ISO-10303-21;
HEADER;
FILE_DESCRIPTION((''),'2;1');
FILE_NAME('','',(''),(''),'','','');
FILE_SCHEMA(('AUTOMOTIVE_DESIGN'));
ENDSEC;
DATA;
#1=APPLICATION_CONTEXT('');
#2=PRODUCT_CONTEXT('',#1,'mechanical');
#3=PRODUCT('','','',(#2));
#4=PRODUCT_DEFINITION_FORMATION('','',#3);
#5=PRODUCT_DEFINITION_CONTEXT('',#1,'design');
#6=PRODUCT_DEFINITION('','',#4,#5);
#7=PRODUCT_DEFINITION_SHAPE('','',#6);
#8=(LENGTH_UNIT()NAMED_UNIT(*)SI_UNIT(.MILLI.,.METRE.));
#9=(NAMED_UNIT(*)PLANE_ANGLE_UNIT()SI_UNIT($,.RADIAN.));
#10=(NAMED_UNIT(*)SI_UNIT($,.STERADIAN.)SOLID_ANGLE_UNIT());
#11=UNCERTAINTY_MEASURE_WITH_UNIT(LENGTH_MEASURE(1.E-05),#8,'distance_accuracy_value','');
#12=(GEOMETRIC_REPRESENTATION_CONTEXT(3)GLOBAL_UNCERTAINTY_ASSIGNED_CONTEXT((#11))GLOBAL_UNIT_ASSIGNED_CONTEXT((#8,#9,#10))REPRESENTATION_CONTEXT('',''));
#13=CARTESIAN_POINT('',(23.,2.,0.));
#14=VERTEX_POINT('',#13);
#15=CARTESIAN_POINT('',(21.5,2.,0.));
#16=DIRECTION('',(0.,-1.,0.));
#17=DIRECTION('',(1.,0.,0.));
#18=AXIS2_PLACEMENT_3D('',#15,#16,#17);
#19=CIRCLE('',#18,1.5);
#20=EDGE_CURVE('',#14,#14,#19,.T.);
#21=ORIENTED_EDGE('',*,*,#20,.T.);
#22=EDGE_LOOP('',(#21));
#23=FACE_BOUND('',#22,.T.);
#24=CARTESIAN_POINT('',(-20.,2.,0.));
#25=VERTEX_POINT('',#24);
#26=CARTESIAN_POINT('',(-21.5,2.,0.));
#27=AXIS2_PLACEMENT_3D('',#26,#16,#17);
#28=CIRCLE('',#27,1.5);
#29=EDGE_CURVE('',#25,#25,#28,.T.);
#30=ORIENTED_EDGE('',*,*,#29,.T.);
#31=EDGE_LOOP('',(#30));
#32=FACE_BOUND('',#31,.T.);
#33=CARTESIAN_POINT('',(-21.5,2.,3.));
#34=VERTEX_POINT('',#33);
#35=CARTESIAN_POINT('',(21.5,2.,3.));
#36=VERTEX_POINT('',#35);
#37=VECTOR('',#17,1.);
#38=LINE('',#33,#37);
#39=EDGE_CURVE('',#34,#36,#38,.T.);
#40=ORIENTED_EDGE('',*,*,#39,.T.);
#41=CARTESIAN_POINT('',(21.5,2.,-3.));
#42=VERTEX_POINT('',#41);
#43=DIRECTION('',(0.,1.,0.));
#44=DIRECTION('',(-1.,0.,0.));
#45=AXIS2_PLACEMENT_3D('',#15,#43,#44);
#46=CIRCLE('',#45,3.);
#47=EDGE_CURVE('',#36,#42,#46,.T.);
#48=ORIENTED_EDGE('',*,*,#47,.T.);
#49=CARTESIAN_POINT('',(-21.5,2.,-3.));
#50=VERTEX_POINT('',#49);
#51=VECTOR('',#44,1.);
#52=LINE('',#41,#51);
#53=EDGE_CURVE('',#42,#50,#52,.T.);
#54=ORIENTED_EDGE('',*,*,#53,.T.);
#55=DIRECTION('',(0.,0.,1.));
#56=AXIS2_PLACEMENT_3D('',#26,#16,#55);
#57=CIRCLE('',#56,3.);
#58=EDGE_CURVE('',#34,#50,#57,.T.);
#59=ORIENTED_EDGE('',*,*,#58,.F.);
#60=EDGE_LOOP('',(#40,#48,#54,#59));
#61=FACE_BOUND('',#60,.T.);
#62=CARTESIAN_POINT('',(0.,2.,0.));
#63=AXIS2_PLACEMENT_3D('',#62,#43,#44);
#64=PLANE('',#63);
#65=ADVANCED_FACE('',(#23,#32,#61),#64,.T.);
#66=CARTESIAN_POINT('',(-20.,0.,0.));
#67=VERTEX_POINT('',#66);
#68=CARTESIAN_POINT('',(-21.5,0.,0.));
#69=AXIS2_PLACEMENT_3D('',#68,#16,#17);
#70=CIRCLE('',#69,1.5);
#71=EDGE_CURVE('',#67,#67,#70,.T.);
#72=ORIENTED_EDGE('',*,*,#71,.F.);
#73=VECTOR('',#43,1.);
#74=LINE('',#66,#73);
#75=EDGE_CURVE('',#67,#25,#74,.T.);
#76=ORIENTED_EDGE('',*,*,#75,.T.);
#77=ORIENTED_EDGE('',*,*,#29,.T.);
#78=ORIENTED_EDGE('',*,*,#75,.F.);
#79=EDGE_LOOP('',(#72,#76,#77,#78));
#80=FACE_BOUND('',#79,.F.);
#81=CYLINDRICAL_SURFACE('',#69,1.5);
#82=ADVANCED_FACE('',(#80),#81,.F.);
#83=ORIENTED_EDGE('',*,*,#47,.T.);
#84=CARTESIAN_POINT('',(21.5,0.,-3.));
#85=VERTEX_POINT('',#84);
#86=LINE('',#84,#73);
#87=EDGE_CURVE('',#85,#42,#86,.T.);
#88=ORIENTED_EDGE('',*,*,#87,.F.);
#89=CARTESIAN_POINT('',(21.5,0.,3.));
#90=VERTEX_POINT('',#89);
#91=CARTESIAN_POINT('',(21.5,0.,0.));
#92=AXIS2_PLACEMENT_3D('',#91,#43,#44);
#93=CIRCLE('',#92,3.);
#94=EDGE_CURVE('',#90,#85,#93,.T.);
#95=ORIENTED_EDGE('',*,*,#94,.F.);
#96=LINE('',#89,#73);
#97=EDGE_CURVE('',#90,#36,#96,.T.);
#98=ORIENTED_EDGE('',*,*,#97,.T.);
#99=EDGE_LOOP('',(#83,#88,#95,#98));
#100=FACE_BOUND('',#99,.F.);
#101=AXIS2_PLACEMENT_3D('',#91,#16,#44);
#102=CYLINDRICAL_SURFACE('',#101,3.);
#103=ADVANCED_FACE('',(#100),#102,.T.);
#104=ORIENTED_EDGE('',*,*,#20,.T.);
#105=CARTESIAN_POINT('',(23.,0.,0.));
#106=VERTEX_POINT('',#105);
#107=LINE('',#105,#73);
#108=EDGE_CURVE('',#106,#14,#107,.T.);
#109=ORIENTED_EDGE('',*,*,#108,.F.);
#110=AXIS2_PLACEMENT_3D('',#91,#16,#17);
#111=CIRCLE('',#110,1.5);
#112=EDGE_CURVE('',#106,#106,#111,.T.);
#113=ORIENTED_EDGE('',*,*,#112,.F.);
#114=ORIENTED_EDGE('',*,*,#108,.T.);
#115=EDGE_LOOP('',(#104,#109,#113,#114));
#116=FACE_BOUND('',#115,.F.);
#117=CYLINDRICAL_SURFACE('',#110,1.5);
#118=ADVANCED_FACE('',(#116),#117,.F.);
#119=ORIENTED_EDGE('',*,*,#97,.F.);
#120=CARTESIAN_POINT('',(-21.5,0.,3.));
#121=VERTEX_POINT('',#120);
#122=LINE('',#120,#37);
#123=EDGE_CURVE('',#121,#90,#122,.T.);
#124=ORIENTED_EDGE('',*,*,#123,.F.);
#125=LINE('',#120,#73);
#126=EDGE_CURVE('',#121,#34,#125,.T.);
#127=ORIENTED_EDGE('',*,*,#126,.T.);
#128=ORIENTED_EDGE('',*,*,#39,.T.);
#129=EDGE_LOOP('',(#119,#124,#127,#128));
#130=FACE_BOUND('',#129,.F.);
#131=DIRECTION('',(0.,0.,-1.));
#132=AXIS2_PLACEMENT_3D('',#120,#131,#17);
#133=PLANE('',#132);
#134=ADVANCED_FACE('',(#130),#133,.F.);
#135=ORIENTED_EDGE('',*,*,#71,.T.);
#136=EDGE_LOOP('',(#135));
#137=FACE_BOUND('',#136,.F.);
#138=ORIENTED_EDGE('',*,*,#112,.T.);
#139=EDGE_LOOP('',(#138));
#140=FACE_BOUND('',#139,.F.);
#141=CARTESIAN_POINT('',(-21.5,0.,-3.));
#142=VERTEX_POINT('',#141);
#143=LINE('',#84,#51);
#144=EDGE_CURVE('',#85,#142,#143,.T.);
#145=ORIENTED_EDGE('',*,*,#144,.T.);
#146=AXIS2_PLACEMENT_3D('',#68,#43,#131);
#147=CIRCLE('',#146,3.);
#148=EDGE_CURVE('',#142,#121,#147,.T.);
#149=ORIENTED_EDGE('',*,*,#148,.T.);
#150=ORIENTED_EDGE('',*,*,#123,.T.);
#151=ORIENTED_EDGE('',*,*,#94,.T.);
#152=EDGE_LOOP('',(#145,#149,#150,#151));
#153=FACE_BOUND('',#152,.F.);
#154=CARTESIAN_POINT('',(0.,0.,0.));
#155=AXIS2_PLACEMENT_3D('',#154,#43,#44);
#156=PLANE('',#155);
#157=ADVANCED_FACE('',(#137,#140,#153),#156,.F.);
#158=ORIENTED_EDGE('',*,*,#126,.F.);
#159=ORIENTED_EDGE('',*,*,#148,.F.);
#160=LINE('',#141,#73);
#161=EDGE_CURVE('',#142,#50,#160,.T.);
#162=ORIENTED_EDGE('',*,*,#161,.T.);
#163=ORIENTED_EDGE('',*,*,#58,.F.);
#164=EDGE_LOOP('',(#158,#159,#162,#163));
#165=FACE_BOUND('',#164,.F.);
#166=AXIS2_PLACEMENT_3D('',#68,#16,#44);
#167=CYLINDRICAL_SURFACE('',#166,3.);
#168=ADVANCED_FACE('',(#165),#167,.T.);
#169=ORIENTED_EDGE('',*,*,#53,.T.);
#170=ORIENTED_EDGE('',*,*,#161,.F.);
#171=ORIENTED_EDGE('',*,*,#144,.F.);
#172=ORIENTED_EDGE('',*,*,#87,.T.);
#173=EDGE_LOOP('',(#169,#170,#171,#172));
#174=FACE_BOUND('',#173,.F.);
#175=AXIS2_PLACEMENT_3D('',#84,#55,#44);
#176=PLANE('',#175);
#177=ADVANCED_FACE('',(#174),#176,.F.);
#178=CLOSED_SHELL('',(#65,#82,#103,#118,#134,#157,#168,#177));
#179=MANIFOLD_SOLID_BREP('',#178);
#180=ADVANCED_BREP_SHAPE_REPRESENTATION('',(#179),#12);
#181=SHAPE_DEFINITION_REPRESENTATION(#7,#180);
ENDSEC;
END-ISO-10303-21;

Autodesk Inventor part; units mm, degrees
ref_plane "YZ Plane" through (0, 0, 0) normal (1, 0, 0) x (0, 1, 0)
ref_plane "XZ Plane" through (0, 0, 0) normal (0, 1, 0) x (-1, 0, 0)
ref_plane "XY Plane" through (0, 0, 0) normal (0, 0, 1) x (1, 0, 0)
sketch "Sketch1" plane through (0, 0, 0) normal (0, 1, 0) x (-1, 0, 0)
  line L0 (-21.5, -3) -> (21.5, -3)
  line L1 (21.5, -3) -> (21.5, 3)
  line L2 (21.5, 3) -> (-21.5, 3)
  line L3 (-21.5, 3) -> (-21.5, -3)
  line L4 (-21.5, -3) -> (21.5, 3) construction
  line L5 (21.5, -3) -> (-21.5, 3) construction
  circle A0 centre (21.5, 0) radius 3
  circle A1 centre (-21.5, 0) radius 3
  point P0 (0, 0)
  dimension "d0" = 43
  dimension "d1" = 6
extrude "Extrusion1" add sketch "Sketch1" along normal blind 2
sketch "Sketch2" plane through (0, 2, 0) normal (0, 1, 0) x (1, 0, 0)
  arc A0 (21.5, -3) -> (21.5, 3) centre (21.5, 0) ccw projected
  arc A1 (-21.5, 3) -> (-21.5, -3) centre (-21.5, 0) ccw projected
  circle A2 centre (-21.5, 0) radius 1.5
  circle A3 centre (21.5, 0) radius 1.5
  point P0 (0, 0)
  dimension "d5" = 3
  dimension "d6" = 3
extrude "Extrusion2" cut sketch "Sketch2" against normal blind 2
sketch "Sketch3" plane through (0, 0, 0) normal (0, -1, 0) x (1, 0, 0)
  circle A0 centre (-21.5, 0) radius 1.5 projected
  circle A1 centre (21.5, 0) radius 1.5 projected
  arc A2 (21.5, -3) -> (21.5, 3) centre (21.5, 0) ccw projected
  arc A3 (-21.5, 3) -> (-21.5, -3) centre (-21.5, 0) ccw projected
  circle A4 centre (-21.5, 0) radius 0.05
  circle A5 centre (21.5, 0) radius 0.05
  point P0 (0, 0)
  dimension "d9" = 0.1
  dimension "d10" = 0.1
extrude "Extrusion3" add sketch "Sketch3" against normal blind 2
sketch "Sketch4" plane through (0, 0, 0) normal (0, -1, 0) x (1, 0, 0)
  circle A0 centre (-21.5, 0) radius 0.05 projected
  circle A1 centre (21.5, 0) radius 0.05 projected
  arc A2 (21.5, -3) -> (21.5, 3) centre (21.5, 0) ccw projected
  arc A3 (-21.5, 3) -> (-21.5, -3) centre (-21.5, 0) ccw projected
  circle A4 centre (-21.5, 0) radius 1.5
  circle A5 centre (21.5, 0) radius 1.5
  point P0 (0, 0)
  dimension "d13" = 3
  dimension "d14" = 3
extrude "Extrusion4" cut sketch "Sketch4" against normal blind 2
properties part number "tahlo7"
